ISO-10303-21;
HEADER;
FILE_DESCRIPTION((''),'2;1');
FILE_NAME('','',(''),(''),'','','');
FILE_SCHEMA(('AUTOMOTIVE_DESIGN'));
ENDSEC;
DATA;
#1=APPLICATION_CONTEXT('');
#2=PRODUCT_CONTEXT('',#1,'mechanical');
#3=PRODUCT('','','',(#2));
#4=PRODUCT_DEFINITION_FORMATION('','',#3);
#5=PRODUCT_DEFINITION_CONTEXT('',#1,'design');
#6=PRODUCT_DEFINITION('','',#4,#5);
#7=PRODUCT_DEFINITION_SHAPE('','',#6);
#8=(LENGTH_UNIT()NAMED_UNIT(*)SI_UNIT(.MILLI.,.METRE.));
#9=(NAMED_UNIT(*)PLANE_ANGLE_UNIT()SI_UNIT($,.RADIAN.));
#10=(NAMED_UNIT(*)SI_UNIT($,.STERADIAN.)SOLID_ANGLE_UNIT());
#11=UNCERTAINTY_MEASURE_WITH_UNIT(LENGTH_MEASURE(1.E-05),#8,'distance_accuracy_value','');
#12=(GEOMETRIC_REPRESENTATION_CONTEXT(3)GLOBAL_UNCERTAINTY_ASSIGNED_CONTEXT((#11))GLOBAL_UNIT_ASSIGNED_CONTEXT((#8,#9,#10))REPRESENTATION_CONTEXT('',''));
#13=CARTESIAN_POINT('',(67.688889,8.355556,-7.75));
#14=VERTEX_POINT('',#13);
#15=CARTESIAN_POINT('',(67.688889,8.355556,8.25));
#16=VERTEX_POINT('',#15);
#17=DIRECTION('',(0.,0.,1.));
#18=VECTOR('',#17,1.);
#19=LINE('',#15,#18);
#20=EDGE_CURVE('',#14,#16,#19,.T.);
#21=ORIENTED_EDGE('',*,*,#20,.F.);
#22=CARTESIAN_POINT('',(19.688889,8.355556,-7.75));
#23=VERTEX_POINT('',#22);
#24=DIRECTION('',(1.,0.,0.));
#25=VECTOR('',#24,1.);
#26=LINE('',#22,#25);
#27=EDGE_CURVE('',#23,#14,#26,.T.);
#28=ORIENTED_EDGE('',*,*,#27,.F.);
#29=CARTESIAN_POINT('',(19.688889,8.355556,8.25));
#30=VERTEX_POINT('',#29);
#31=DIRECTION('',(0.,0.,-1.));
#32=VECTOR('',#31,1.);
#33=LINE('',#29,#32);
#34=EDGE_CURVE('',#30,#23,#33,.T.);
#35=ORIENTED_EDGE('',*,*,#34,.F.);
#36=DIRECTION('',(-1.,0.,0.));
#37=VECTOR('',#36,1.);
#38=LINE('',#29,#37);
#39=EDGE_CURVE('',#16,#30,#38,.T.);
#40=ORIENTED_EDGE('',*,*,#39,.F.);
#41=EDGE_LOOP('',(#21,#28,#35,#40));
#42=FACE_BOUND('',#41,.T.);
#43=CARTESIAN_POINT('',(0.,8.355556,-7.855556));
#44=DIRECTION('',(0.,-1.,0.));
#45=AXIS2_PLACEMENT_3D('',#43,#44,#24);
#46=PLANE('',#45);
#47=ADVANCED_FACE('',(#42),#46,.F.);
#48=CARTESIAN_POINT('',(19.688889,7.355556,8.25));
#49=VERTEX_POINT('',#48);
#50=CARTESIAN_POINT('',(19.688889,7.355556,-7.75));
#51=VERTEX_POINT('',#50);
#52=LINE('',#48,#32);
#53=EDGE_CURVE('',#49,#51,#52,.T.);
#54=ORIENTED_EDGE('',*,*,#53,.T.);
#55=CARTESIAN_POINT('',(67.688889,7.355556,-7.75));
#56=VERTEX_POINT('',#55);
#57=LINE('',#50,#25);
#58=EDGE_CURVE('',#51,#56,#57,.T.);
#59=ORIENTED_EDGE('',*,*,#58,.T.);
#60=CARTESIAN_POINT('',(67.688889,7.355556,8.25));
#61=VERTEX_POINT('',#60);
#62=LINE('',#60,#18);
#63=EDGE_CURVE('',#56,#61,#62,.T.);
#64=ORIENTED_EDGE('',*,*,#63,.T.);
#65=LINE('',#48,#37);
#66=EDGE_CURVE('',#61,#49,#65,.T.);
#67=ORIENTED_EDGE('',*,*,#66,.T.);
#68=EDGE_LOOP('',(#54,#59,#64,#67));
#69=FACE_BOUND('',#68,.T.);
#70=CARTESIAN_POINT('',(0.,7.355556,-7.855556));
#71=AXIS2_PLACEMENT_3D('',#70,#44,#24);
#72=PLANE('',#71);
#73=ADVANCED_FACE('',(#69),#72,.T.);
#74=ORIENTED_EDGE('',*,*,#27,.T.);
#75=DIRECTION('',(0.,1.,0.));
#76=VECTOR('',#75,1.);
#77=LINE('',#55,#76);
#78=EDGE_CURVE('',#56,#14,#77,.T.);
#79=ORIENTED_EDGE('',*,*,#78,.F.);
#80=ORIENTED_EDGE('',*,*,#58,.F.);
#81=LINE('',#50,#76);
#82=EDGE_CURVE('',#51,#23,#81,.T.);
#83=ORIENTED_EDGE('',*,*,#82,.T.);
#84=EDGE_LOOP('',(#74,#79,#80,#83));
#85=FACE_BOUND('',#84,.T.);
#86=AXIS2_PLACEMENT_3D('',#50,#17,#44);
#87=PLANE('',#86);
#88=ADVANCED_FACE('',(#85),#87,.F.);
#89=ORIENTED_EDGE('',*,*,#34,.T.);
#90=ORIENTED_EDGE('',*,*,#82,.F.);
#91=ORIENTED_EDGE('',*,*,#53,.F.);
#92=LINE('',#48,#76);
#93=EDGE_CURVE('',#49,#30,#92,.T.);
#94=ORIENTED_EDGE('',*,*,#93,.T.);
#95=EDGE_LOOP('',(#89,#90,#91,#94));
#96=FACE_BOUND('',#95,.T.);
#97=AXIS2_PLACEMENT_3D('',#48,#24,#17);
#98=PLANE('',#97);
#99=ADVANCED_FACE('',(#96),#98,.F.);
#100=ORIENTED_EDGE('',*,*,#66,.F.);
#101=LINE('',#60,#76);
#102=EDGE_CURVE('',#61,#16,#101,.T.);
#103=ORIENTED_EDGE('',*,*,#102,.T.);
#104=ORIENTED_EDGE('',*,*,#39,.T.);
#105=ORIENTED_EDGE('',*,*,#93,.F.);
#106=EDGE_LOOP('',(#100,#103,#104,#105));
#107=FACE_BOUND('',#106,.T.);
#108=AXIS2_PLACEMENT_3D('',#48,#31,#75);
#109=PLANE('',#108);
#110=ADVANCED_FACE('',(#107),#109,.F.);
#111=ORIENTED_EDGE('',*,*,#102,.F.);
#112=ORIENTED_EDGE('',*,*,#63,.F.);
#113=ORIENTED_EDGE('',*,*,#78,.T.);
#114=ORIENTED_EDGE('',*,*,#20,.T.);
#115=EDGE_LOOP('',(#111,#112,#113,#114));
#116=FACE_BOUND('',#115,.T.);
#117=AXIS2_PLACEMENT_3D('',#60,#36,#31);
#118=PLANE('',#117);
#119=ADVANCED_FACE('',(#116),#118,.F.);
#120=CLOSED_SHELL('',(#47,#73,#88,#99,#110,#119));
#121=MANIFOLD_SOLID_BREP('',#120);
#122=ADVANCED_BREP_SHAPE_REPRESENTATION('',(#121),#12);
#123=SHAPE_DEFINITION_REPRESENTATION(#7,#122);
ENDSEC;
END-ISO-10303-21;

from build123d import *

# Parameters (mm, degrees)
SKETCH1_W             = 48
SKETCH1_H             = 16
BOSS_EXTRUDE1_DEPTH   = 1
BODY_MOVE_COPY1_ANGLE = 90


with BuildPart() as part:
    # Sketch1 → Boss-Extrude1 (new body)
    with BuildSketch(Plane.XY):
        with Locations((43.688888889, 8.105555556)):
            Rectangle(SKETCH1_W, SKETCH1_H)
    extrude(amount=BOSS_EXTRUDE1_DEPTH)


with BuildPart() as part_1:
    # Body-Move/Copy1: moved
    add(part.part.rotate(Axis((0, 8.105555556, 0.25), (1, 0, 0)), BODY_MOVE_COPY1_ANGLE))


solid = part_1.part
